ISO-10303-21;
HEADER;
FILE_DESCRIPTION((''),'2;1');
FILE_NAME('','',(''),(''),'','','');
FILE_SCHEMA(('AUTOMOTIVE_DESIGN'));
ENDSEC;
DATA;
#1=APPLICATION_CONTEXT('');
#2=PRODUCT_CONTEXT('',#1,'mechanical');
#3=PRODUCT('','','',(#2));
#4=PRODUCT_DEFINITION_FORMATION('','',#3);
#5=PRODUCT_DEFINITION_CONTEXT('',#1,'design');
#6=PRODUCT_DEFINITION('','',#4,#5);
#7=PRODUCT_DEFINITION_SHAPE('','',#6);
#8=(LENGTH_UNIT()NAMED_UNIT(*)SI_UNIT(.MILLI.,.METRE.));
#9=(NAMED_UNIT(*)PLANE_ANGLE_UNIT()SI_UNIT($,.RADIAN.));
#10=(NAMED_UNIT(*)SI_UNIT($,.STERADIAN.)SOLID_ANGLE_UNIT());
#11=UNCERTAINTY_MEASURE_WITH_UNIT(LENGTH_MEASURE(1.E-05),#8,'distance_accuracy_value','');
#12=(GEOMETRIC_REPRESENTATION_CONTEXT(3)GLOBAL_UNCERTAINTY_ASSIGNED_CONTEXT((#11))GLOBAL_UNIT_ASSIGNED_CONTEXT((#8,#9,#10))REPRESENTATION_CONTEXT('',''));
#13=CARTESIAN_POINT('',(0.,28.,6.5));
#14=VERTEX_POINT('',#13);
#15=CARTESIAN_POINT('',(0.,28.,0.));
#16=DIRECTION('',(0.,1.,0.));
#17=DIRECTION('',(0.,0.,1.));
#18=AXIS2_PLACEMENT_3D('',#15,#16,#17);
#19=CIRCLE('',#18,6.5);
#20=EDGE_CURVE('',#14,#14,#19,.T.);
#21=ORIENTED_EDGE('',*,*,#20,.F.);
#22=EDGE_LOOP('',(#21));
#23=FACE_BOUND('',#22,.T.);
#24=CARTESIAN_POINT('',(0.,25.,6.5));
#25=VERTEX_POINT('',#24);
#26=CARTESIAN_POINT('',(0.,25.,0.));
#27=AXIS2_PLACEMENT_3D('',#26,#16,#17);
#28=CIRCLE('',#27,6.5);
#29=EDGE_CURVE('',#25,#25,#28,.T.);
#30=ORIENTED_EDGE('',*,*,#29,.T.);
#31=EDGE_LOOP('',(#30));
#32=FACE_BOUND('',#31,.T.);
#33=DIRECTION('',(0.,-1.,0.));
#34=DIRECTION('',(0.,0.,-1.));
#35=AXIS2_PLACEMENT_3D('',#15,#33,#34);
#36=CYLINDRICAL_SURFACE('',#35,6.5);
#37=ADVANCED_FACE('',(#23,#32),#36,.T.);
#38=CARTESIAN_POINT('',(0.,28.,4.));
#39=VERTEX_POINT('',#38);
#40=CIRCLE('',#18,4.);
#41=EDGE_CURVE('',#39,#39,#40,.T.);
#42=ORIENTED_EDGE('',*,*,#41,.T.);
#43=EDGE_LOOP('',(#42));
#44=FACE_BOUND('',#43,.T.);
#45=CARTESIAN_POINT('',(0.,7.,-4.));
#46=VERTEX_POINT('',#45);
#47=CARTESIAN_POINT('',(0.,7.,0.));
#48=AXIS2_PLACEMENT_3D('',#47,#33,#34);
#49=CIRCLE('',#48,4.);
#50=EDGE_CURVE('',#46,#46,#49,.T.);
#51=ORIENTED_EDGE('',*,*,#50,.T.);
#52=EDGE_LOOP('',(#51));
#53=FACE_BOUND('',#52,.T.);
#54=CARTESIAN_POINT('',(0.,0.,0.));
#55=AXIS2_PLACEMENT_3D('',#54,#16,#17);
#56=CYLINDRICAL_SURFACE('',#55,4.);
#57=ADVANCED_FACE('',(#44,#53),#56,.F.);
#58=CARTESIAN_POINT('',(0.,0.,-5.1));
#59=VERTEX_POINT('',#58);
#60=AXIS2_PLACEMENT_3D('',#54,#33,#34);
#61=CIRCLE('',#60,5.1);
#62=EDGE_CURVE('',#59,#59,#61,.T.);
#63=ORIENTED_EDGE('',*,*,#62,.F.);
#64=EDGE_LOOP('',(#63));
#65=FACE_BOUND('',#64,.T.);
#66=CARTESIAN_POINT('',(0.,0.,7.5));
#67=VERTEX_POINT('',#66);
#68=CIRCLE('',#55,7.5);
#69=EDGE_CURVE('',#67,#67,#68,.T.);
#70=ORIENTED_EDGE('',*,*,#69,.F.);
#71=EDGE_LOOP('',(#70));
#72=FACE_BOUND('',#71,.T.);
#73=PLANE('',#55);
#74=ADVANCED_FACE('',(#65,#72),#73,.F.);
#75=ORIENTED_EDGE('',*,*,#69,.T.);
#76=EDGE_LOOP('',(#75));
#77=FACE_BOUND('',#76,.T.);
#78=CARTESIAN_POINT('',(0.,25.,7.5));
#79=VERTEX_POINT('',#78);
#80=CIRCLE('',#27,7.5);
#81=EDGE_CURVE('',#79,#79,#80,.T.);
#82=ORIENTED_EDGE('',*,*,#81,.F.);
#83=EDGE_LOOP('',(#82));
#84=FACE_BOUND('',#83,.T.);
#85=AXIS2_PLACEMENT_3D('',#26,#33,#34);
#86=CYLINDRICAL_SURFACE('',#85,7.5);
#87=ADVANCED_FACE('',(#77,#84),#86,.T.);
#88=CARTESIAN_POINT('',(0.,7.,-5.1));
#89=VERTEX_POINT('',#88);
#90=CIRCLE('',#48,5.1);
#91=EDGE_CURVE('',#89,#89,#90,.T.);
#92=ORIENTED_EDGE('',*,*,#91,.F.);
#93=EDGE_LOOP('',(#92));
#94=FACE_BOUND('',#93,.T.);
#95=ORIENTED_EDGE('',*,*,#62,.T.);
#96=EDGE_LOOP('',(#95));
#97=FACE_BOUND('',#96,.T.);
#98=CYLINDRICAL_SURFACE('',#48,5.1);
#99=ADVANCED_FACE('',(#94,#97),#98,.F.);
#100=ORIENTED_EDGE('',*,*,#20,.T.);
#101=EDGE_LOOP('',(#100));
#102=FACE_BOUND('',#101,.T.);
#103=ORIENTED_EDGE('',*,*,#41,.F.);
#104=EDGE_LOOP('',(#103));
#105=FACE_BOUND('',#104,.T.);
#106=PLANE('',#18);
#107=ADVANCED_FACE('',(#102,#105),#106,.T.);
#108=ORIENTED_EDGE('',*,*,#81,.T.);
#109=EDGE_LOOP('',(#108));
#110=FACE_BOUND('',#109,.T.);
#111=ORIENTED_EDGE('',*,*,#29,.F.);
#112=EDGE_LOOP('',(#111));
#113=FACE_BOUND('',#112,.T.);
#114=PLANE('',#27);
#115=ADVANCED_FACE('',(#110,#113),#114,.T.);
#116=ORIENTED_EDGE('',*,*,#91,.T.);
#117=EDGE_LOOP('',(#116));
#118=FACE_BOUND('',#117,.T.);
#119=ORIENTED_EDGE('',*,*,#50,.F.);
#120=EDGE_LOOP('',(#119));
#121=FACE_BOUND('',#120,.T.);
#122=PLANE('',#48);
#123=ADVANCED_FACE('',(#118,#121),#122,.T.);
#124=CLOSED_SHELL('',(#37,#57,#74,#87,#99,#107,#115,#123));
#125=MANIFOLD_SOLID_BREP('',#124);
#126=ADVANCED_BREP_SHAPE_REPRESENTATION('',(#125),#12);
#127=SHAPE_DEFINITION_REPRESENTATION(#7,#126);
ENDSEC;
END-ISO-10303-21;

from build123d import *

# Parameters (mm, degrees)
SKETCH1_R           = 7.5
BOSS_EXTRUDE1_DEPTH = 25
SKETCH2_R           = 6.5
BOSS_EXTRUDE2_DEPTH = 3
SKETCH3_R           = 5.1
CUT_EXTRUDE1_DEPTH  = 7
SKETCH4_R           = 4
CUT_EXTRUDE2_DEPTH  = 29


with BuildPart() as part:
    # Sketch1 → Boss-Extrude1 (new body)
    with BuildSketch(Plane(origin=(0, 0, 0), x_dir=(1, 0, 0), z_dir=(0, 1, 0))):
        Circle(SKETCH1_R)
    extrude(amount=BOSS_EXTRUDE1_DEPTH)

    # Sketch2 → Boss-Extrude2 (add)
    with BuildSketch(Plane(origin=(0, 25, 0), x_dir=(1, 0, 0), z_dir=(0, 1, 0))):
        Circle(SKETCH2_R)
    extrude(amount=BOSS_EXTRUDE2_DEPTH)

    # Sketch3 → Cut-Extrude1 (cut)
    with BuildSketch(Plane.XZ):
        Circle(SKETCH3_R)
    extrude(amount=-CUT_EXTRUDE1_DEPTH, mode=Mode.SUBTRACT)

    # Sketch4 → Cut-Extrude2 (cut, through all)
    with BuildSketch(Plane(origin=(0, 28, 0), x_dir=(1, 0, 0), z_dir=(0, 1, 0))):
        Circle(SKETCH4_R)
    extrude(amount=-CUT_EXTRUDE2_DEPTH, mode=Mode.SUBTRACT)


solid = part.part
